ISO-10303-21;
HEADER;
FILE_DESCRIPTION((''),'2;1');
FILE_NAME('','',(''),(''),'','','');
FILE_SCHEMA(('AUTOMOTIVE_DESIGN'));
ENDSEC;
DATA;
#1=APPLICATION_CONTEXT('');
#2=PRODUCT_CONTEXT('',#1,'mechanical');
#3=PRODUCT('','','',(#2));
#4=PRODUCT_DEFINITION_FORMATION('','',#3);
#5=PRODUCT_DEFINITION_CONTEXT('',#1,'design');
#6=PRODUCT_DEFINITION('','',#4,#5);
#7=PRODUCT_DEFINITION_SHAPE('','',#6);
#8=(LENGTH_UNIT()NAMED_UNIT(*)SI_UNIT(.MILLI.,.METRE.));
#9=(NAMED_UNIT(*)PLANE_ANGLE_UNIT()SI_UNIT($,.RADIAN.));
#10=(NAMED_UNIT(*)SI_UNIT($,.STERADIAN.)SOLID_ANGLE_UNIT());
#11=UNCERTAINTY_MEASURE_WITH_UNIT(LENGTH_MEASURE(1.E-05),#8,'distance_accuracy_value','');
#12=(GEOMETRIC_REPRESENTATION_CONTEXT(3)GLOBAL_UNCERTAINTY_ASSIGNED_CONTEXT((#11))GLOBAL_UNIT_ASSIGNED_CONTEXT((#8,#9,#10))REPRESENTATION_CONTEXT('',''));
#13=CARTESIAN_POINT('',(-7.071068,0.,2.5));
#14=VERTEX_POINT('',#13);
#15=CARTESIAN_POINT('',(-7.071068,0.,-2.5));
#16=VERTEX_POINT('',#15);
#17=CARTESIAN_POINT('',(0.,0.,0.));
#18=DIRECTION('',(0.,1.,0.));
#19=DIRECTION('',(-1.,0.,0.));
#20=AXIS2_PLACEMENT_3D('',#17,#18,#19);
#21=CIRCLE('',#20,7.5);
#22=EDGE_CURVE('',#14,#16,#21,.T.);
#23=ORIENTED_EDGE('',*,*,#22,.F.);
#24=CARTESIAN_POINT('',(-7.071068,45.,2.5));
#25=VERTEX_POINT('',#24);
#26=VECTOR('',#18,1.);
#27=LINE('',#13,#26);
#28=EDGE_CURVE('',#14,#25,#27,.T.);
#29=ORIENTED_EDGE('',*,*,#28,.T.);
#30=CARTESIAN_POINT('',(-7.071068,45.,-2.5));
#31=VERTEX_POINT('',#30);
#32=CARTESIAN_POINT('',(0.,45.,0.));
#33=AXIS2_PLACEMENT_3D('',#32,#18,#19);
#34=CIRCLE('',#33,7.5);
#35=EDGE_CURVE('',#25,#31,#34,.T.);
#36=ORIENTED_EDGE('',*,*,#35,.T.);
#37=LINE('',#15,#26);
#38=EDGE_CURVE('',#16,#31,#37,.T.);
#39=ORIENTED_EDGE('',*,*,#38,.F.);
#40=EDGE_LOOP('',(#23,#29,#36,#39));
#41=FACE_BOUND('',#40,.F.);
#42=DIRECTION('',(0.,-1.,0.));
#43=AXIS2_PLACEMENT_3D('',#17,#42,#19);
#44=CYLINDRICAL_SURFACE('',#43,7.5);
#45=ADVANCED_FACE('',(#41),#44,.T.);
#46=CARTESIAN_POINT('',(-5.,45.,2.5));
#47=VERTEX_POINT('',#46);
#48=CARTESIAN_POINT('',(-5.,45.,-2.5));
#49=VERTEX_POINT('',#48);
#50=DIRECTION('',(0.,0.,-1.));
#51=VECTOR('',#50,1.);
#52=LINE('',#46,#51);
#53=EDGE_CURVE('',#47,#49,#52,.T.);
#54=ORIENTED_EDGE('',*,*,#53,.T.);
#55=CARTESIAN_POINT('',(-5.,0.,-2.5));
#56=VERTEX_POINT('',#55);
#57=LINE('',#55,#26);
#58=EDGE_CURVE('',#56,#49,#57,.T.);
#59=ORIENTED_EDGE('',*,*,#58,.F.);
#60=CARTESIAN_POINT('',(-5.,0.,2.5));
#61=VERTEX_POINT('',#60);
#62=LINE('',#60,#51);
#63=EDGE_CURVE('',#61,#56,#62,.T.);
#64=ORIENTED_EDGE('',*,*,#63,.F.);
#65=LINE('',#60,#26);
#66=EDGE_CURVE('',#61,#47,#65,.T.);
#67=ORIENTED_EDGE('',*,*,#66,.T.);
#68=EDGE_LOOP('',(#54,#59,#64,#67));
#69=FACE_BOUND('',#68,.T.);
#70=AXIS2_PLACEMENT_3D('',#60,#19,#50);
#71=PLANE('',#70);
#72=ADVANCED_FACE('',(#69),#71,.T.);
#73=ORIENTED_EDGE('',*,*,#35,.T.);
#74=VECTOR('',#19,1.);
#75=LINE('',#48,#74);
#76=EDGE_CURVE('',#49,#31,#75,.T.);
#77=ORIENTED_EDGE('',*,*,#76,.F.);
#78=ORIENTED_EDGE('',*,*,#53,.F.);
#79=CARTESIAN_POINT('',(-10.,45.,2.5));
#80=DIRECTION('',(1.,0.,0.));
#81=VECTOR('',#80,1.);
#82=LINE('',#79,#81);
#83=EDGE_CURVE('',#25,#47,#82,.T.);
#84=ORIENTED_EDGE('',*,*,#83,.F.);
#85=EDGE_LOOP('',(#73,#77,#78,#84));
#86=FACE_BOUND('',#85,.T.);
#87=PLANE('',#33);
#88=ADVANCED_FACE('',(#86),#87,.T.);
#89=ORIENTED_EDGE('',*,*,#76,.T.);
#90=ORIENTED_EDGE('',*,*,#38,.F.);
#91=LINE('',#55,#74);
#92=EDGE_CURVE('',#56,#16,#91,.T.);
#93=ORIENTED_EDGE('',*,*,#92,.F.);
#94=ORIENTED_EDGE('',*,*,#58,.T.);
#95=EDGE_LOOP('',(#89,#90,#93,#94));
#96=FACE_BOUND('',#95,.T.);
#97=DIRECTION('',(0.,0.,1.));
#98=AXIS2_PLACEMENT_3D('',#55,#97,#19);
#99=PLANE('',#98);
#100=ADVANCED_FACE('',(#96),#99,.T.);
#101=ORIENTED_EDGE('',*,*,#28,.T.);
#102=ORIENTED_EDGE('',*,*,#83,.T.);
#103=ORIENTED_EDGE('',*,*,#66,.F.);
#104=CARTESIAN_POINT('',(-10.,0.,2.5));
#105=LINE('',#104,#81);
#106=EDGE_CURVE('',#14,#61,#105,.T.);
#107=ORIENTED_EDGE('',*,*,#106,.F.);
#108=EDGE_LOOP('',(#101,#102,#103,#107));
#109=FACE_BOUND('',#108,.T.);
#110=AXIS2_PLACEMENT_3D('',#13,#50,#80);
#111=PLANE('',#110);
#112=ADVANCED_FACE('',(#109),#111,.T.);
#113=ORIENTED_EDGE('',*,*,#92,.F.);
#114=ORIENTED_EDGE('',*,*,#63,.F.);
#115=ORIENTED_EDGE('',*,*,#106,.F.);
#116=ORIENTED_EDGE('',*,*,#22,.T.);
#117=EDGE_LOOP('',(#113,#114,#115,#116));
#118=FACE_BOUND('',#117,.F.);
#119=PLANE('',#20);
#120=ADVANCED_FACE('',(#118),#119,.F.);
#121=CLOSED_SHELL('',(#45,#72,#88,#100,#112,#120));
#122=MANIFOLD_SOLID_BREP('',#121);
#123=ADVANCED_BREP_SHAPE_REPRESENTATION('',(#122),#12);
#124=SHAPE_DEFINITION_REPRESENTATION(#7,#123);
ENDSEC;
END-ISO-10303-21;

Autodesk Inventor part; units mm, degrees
ref_plane "YZ Plane" through (0, 0, 0) normal (1, 0, 0) x (0, 1, 0)
ref_plane "XZ Plane" through (0, 0, 0) normal (0, 1, 0) x (-1, 0, 0)
ref_plane "XY Plane" through (0, 0, 0) normal (0, 0, 1) x (1, 0, 0)
sketch "Sketch1" plane through (0, 0, 0) normal (0, 1, 0) x (-1, 0, 0)
  circle A0 centre (0, 0) radius 7.5
  line L0 (10, 2.5) -> (5, 2.5)
  line L1 (5, 2.5) -> (5, -2.5)
  line L2 (5, -2.5) -> (10, -2.5)
  line L3 (10, -2.5) -> (10, 2.5)
  point P0 (7.5, 0)
  point P1 (7.5, -2.5)
  point P2 (5, 0)
  point P3 (7.0711, 2.5)
  point P4 (7.0711, -2.5)
  dimension "d0" = 15
  dimension "d1" = 5
  dimension "d2" = 5
extrude "Extrusion1" add sketch "Sketch1" along normal blind 45 contours L0 L1 L2 A0 picked at (0.8519, -0.3038)
properties part number "Shaft"
